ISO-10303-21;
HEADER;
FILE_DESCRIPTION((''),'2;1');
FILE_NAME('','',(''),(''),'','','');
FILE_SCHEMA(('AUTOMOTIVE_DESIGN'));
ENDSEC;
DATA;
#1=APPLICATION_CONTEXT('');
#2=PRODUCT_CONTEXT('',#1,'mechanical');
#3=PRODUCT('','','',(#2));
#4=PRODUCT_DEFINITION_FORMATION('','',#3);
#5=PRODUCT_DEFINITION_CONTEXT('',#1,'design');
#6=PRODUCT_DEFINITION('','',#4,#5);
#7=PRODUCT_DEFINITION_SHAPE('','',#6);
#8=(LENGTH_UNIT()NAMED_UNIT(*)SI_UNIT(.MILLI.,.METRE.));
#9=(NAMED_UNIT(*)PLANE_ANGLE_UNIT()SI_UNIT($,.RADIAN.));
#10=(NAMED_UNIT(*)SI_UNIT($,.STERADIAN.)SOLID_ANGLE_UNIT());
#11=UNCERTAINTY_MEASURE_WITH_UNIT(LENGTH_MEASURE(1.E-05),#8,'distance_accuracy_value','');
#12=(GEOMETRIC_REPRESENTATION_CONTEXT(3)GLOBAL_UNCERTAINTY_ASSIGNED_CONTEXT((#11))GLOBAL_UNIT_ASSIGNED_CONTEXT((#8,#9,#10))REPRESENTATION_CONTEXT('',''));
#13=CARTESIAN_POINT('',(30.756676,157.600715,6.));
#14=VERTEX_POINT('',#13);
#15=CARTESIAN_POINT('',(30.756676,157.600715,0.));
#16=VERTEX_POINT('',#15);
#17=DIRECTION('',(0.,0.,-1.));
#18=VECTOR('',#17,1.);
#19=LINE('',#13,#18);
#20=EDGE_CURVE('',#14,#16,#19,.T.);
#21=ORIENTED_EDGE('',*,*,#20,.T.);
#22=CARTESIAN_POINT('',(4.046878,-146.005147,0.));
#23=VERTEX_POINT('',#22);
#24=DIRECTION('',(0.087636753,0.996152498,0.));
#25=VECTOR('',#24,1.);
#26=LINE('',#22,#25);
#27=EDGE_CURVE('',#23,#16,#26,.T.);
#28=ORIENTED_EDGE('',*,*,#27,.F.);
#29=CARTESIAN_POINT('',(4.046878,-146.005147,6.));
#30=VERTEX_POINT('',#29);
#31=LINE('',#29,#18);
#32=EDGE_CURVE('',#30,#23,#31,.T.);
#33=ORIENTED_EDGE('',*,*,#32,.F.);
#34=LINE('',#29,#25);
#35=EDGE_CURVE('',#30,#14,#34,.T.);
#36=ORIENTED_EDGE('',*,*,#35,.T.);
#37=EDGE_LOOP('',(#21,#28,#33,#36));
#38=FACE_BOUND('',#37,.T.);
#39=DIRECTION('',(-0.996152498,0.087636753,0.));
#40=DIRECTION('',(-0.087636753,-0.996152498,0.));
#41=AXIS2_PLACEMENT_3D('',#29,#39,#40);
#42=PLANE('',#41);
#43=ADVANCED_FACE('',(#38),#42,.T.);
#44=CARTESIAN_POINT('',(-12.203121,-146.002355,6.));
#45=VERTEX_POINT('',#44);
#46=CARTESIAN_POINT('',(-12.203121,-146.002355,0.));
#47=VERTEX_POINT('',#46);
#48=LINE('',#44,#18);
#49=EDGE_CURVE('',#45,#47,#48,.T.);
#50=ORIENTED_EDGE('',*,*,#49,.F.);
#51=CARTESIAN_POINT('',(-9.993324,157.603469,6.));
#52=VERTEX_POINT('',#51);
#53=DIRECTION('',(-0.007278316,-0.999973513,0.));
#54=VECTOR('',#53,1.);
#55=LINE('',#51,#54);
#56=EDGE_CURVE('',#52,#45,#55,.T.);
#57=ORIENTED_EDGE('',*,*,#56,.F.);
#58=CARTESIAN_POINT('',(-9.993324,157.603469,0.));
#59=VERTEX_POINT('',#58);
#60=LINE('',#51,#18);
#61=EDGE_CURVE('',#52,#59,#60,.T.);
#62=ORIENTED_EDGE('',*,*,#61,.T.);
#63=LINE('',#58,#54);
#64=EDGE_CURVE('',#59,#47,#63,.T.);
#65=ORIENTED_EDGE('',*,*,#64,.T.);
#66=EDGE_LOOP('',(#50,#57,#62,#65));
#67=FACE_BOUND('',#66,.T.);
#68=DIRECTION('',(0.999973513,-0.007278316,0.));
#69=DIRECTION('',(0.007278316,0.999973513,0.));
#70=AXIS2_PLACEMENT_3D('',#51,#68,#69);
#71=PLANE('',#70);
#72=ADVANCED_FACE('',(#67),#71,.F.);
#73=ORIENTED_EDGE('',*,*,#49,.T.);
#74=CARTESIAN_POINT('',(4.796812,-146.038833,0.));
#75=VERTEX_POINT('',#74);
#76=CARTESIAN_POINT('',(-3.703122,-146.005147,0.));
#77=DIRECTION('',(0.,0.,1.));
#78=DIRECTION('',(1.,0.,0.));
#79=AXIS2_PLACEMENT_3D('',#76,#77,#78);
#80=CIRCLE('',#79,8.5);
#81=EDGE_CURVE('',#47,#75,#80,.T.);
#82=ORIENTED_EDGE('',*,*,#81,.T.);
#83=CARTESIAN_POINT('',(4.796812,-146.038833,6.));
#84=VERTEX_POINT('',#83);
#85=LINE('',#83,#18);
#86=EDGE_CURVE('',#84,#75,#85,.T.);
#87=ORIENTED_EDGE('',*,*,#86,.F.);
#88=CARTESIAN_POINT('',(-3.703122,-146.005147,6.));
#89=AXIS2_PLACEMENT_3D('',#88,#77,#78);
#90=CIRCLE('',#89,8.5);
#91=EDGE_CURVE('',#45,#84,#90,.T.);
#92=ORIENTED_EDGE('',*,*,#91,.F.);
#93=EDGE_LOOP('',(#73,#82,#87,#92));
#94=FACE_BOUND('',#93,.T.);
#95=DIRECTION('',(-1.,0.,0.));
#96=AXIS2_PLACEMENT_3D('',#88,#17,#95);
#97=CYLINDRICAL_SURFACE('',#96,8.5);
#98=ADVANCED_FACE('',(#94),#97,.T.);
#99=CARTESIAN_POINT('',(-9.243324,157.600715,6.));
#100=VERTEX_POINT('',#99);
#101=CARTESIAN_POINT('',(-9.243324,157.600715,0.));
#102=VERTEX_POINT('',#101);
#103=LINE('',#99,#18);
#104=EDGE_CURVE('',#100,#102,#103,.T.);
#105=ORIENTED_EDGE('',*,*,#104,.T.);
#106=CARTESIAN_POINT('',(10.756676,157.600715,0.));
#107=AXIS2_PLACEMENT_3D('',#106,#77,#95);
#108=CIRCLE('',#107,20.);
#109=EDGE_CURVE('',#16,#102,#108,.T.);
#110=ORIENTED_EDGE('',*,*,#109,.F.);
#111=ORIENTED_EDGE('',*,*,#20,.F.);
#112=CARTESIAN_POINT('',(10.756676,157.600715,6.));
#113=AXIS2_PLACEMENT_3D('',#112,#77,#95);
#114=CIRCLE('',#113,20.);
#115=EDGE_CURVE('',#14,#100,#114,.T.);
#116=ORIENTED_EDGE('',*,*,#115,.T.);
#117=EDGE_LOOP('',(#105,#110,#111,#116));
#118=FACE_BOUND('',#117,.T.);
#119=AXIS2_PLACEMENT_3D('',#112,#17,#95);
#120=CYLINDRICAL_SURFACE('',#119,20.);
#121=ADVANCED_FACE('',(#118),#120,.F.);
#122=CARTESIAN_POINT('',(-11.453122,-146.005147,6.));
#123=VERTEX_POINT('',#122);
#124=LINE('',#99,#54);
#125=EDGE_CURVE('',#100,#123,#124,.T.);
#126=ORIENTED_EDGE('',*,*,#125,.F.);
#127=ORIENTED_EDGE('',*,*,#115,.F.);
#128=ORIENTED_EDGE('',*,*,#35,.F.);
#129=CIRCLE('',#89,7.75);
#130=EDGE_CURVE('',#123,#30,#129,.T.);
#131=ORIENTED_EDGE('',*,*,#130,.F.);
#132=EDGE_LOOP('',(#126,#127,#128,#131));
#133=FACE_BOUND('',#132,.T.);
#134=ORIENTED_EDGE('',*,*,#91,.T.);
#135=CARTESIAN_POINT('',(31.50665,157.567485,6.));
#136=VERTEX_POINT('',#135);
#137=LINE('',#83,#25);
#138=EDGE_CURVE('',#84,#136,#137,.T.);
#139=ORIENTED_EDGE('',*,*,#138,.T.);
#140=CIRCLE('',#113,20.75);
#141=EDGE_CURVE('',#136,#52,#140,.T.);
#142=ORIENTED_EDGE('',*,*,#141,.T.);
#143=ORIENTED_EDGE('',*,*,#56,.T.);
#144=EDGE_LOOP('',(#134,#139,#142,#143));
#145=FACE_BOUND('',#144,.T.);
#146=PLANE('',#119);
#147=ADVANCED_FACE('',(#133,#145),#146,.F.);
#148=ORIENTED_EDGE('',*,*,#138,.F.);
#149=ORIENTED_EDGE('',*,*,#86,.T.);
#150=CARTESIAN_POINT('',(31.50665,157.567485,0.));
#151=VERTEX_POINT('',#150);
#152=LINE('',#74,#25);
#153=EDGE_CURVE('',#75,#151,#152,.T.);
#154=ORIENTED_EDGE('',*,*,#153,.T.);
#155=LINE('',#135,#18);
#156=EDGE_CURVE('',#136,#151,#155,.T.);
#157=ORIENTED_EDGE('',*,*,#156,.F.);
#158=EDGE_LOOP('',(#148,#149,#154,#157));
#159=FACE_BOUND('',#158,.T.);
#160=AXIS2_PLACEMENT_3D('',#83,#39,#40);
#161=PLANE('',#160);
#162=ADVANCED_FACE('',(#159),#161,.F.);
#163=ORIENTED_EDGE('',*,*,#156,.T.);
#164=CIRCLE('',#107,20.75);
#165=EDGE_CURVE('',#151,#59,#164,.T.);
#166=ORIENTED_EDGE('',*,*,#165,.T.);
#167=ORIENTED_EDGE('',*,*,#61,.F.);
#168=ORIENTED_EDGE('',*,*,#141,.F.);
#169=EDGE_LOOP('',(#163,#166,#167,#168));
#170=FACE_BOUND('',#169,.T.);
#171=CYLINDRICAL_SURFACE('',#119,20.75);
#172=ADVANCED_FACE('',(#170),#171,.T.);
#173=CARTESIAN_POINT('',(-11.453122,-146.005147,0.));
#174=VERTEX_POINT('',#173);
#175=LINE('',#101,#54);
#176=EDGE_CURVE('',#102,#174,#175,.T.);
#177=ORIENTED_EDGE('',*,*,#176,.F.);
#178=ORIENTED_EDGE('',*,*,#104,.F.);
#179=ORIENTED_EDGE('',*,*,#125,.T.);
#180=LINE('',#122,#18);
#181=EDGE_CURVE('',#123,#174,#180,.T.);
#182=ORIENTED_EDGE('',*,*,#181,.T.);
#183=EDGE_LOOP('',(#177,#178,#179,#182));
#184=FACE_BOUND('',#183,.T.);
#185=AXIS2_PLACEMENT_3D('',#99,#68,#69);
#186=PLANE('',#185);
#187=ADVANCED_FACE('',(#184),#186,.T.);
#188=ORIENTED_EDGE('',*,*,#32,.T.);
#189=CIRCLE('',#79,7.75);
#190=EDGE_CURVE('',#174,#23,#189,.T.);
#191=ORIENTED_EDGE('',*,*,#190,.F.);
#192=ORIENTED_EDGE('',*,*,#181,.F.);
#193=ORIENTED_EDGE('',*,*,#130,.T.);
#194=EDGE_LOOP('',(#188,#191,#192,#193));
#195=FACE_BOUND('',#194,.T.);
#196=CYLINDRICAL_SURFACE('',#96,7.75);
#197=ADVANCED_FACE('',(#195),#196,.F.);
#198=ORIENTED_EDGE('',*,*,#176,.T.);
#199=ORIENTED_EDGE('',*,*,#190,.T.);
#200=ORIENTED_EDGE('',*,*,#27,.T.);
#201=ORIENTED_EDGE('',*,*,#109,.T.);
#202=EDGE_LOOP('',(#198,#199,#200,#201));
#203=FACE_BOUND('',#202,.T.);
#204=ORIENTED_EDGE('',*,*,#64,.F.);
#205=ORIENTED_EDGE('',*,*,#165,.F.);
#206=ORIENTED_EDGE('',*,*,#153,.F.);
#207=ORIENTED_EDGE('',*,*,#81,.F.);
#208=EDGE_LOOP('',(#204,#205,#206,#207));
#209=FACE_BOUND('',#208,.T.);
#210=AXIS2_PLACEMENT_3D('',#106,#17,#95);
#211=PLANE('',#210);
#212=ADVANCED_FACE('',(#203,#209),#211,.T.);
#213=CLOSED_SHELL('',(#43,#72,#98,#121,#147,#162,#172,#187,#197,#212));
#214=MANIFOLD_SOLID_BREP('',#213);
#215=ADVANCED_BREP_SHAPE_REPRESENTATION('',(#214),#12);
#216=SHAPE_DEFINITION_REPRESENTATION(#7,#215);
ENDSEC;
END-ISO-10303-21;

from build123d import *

# Parameters (mm, degrees)
BOSS_EXTRUDE1_DEPTH = 6


with BuildPart() as part:
    # Sketch2 → Boss-Extrude1 (new body)
    with BuildSketch(Plane.XY):
        with BuildLine():
            Line((-9.993323568, 157.603469114), (-12.203121146, -146.002354665))
            ThreePointArc((-12.203121146, -146.002354665), (-3.721360774, -154.50512752), (4.796811646, -146.038832945))
            Line((4.796811646, -146.038832945), (31.506649641, 157.567485023))
            ThreePointArc((31.506649641, 157.567485023), (10.774668299, 178.35070679), (-9.993323568, 157.603469114))
        make_face()
        with BuildLine():
            Line((-9.243323751, 157.600714591), (-11.453121604, -146.005147089))
            ThreePointArc((-11.453121604, -146.005147089), (-3.703121604, -153.755147089), (4.046878396, -146.005147089))
            Line((4.046878396, -146.005147089), (30.756676249, 157.600714591))
            ThreePointArc((30.756676249, 157.600714591), (10.756676249, 177.600714591), (-9.243323751, 157.600714591))
        make_face(mode=Mode.SUBTRACT)
    extrude(amount=BOSS_EXTRUDE1_DEPTH)


solid = part.part
